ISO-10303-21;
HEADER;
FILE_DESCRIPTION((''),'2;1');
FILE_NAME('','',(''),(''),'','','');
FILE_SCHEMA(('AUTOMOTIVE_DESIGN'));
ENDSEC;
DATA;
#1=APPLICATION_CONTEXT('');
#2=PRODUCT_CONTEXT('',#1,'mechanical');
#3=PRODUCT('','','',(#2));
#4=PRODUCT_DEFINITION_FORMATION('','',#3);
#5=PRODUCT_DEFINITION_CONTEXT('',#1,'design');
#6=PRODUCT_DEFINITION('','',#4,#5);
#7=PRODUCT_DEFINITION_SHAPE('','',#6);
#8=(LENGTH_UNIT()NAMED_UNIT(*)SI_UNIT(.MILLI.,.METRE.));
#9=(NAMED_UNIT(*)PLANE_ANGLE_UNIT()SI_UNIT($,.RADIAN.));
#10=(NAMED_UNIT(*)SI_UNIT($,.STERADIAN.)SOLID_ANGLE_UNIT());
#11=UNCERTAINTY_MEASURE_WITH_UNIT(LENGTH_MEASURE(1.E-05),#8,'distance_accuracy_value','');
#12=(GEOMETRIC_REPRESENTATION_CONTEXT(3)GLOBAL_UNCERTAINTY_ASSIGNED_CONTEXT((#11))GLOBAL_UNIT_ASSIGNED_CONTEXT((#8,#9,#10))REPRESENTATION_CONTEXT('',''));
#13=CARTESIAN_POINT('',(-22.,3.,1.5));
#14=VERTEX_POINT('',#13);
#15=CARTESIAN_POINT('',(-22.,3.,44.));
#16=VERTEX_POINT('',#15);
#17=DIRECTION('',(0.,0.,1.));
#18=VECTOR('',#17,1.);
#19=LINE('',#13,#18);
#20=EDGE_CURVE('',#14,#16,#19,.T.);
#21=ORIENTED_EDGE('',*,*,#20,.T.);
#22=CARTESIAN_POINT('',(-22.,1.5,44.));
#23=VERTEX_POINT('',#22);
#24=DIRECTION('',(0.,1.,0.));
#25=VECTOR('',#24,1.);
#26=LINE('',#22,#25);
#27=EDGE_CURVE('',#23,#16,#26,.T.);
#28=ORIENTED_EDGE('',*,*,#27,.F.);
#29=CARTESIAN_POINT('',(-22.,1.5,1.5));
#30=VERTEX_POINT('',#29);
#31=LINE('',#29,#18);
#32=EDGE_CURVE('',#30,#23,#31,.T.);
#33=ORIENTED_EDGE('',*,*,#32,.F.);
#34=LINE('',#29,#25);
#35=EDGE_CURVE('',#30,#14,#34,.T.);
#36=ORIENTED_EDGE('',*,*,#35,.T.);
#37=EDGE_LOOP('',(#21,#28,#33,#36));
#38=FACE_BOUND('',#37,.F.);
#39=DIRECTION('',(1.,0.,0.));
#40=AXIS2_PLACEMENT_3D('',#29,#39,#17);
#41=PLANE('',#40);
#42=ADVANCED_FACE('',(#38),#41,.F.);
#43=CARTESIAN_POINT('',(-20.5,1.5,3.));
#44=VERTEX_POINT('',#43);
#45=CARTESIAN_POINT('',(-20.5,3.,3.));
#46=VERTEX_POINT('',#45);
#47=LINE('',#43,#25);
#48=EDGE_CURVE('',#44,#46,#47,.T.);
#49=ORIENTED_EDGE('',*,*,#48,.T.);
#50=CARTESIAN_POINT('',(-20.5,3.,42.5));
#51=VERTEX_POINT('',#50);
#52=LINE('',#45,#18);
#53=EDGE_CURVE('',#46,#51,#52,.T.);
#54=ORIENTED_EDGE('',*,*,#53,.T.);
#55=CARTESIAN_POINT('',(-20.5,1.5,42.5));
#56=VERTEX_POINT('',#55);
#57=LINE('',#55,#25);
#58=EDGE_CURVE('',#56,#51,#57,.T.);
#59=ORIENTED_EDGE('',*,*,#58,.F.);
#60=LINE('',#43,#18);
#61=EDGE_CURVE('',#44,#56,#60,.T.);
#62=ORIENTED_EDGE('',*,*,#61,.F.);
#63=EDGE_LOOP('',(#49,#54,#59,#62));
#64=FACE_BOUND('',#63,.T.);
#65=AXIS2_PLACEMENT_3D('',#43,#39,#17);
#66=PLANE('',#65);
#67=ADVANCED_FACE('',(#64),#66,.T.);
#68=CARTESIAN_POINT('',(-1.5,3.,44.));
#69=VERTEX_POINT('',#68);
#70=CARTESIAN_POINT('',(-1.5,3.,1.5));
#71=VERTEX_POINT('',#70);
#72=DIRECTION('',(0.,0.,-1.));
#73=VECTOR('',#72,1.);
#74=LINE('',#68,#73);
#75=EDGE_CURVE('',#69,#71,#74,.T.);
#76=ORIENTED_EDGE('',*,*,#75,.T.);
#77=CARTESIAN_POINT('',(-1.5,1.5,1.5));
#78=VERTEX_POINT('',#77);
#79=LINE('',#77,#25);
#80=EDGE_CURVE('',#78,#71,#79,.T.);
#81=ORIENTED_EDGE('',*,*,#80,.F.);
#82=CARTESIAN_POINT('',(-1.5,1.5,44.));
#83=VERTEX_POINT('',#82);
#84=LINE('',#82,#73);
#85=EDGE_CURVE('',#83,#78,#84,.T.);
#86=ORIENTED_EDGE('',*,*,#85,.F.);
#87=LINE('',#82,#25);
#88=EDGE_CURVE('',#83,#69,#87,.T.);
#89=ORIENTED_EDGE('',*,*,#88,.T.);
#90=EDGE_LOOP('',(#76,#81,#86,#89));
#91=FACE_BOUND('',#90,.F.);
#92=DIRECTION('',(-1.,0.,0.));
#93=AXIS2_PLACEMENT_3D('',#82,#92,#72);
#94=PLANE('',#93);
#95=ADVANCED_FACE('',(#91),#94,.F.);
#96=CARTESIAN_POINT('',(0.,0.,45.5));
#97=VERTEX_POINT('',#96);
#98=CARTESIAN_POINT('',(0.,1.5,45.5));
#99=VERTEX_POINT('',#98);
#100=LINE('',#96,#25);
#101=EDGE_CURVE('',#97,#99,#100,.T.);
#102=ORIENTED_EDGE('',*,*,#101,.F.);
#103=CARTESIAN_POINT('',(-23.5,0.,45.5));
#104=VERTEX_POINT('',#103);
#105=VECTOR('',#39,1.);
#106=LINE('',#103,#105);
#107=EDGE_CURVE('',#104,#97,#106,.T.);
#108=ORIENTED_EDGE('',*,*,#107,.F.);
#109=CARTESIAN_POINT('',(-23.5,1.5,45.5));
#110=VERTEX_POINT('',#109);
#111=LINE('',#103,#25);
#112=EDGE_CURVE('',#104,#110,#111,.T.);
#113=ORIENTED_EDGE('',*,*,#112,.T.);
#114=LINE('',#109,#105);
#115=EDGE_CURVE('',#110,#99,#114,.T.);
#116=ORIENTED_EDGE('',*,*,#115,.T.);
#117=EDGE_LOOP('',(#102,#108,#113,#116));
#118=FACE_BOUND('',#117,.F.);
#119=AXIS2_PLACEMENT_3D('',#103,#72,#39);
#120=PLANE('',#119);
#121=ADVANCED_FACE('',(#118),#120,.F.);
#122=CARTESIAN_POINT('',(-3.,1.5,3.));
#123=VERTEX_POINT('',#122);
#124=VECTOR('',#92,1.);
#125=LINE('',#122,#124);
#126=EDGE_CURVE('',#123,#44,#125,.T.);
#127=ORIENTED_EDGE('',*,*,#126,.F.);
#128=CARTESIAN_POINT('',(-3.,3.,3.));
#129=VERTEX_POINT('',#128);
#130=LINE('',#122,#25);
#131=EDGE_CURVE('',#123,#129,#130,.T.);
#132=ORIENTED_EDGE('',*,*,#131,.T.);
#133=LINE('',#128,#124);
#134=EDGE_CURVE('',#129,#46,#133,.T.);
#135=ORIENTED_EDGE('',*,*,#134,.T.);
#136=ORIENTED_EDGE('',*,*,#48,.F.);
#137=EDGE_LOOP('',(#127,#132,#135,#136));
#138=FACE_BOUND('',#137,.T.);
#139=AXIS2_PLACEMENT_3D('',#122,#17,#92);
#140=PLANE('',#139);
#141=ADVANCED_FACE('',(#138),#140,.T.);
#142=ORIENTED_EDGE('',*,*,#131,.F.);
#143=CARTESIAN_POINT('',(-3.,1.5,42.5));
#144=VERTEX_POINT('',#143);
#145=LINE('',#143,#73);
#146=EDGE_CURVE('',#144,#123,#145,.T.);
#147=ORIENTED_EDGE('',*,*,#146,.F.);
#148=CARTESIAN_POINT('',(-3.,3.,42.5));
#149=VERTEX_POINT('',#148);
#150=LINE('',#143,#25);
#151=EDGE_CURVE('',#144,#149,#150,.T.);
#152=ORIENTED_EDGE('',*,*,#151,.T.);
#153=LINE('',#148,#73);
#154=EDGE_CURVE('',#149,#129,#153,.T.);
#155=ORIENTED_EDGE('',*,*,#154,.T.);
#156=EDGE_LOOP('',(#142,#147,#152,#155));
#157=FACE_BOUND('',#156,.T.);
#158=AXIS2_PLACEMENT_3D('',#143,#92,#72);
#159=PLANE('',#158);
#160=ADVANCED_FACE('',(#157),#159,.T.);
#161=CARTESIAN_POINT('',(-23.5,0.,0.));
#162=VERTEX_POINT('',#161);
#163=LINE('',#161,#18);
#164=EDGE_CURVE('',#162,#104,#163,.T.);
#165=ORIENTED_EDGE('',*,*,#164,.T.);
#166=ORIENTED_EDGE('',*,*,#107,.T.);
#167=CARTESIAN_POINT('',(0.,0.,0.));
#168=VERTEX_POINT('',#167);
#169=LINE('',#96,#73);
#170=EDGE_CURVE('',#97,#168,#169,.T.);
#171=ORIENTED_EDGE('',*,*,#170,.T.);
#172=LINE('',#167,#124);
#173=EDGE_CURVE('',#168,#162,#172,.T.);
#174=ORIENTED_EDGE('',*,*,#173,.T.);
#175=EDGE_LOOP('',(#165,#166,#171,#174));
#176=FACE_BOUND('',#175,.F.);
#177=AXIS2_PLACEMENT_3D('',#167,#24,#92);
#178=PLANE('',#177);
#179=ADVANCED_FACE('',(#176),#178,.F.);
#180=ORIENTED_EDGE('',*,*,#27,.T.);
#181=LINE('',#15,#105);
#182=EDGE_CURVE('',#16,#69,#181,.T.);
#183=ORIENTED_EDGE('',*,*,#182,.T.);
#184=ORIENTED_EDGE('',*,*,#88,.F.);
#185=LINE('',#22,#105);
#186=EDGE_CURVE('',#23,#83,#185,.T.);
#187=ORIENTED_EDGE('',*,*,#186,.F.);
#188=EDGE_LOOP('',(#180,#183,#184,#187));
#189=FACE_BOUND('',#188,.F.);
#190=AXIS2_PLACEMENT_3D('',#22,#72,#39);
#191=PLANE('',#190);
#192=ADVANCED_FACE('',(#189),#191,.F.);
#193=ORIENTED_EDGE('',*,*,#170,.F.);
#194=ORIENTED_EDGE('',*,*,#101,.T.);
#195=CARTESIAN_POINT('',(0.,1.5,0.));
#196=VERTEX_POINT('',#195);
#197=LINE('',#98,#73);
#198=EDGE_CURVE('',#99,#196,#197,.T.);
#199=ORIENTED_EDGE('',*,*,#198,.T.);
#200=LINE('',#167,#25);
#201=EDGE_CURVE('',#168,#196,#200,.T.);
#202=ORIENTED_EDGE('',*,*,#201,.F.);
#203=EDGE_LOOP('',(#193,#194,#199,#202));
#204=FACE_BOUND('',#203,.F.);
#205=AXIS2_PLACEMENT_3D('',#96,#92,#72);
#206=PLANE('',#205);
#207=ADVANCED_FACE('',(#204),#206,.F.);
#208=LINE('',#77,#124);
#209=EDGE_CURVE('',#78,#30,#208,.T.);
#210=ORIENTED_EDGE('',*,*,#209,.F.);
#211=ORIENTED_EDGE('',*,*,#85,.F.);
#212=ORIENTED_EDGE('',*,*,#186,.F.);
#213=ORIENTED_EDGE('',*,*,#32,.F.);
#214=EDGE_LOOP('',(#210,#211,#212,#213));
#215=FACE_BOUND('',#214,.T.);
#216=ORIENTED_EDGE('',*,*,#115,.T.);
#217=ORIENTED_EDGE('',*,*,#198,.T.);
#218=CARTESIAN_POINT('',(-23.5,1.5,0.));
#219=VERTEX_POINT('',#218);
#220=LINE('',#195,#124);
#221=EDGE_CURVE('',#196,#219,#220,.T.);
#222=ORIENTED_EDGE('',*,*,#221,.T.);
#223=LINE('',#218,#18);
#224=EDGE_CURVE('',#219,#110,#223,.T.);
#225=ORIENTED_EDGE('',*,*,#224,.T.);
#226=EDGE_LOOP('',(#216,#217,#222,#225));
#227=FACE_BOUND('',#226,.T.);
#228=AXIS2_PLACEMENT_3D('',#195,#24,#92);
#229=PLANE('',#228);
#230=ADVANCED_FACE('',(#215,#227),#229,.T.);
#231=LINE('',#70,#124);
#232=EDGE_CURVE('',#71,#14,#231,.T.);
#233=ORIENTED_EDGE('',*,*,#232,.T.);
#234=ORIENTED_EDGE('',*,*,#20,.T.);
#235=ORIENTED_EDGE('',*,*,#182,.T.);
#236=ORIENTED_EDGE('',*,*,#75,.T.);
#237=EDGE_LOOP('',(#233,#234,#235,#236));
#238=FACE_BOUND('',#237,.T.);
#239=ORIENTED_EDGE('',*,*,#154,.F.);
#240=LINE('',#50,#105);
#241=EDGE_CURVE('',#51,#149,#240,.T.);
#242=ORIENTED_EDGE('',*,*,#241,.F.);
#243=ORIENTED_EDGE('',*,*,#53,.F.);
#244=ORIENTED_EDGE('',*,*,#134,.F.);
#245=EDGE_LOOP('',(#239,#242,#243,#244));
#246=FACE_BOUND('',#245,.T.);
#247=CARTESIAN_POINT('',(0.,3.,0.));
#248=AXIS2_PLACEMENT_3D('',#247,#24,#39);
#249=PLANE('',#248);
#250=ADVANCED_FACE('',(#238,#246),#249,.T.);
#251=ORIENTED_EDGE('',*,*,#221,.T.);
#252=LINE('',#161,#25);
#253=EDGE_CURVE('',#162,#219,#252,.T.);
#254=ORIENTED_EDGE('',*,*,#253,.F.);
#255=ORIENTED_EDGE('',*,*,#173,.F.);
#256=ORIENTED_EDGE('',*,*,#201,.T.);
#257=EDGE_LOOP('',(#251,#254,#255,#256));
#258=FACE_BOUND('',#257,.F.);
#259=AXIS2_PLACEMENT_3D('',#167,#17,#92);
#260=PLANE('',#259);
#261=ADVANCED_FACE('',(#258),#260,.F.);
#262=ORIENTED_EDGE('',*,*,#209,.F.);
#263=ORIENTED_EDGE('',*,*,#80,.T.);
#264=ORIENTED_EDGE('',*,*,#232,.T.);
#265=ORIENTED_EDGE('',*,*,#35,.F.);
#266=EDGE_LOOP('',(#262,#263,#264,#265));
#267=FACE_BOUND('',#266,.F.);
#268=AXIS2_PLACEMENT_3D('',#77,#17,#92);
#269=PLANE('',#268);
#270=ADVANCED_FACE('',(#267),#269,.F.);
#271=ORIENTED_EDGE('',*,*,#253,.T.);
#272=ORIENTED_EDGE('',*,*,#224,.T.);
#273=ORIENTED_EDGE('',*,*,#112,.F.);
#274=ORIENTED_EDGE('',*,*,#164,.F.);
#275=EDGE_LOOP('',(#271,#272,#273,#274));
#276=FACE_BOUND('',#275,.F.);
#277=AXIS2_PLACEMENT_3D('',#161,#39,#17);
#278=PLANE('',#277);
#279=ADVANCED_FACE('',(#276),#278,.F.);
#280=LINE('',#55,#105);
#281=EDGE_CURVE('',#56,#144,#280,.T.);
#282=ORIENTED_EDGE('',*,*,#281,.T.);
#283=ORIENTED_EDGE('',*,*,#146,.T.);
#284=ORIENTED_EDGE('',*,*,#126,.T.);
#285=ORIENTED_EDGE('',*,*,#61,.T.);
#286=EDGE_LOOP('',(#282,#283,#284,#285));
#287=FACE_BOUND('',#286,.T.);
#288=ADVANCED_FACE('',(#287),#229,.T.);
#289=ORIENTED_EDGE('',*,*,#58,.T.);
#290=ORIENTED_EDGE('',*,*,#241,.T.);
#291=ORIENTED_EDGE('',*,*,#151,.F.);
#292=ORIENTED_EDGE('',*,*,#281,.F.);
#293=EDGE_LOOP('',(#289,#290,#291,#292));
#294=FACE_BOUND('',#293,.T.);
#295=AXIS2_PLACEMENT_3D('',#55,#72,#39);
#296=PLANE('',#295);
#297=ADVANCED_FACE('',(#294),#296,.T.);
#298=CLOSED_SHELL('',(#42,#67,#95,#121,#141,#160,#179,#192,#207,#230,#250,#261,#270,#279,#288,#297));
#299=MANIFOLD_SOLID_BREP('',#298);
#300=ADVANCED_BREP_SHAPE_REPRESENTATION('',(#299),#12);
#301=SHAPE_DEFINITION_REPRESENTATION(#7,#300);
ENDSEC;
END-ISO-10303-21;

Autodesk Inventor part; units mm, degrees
ref_plane "YZ Plane" through (0, 0, 0) normal (1, 0, 0) x (0, 1, 0)
ref_plane "XZ Plane" through (0, 0, 0) normal (0, 1, 0) x (-1, 0, 0)
ref_plane "XY Plane" through (0, 0, 0) normal (0, 0, 1) x (1, 0, 0)
sketch "Szkic1" plane through (0, 0, 0) normal (0, 1, 0) x (-1, 0, 0)
  line L0 (0, 0) -> (23.5, 0)
  line L1 (23.5, 0) -> (23.5, 45.5)
  line L2 (23.5, 45.5) -> (0, 45.5)
  line L3 (0, 45.5) -> (0, 0)
  dimension "d0" = 23.5
  dimension "d1" = 45.5
extrude "Wyciągnięcie proste1" add sketch "Szkic1" along normal blind 1.5
sketch "Szkic2" plane through (0, 1.5, 0) normal (0, 1, 0) x (1, 0, 0)
  line L0 (-23.5, 0) -> (-23.5, -45.5) construction
  line L1 (-23.5, -45.5) -> (-22, -45.5) construction
  line L2 (-23.5, -45.5) -> (0, -45.5) construction
  line L3 (-22, -45.5) -> (-22, -44) construction
  line L4 (-22, -44) -> (-1.5, -44)
  line L5 (-1.5, -44) -> (-1.5, -1.5)
  line L6 (-1.5, -1.5) -> (-22, -1.5)
  line L7 (-22, -1.5) -> (-22, -44)
  line L8 (-22, -44) -> (-22, -42.5) construction
  line L9 (-22, -42.5) -> (-20.5, -42.5) construction
  line L10 (-1.5, -1.5) -> (-3, -1.5) construction
  line L11 (-3, -1.5) -> (-3, -3) construction
  line L12 (-20.5, -42.5) -> (-3, -42.5)
  line L13 (-3, -42.5) -> (-3, -3)
  line L14 (-3, -3) -> (-20.5, -3)
  line L15 (-20.5, -3) -> (-20.5, -42.5)
  point P0 (0, 0)
  dimension "d4" = 1.5
  dimension "d5" = 1.5
  dimension "d6" = 20.5
  dimension "d7" = 42.5
  dimension "d8" = 1.5
  dimension "d9" = 1.5
  dimension "d10" = 1.5
  dimension "d11" = 1.5
extrude "Wyciągnięcie proste2" add sketch "Szkic2" along normal blind 1.5
properties part number "gora"
